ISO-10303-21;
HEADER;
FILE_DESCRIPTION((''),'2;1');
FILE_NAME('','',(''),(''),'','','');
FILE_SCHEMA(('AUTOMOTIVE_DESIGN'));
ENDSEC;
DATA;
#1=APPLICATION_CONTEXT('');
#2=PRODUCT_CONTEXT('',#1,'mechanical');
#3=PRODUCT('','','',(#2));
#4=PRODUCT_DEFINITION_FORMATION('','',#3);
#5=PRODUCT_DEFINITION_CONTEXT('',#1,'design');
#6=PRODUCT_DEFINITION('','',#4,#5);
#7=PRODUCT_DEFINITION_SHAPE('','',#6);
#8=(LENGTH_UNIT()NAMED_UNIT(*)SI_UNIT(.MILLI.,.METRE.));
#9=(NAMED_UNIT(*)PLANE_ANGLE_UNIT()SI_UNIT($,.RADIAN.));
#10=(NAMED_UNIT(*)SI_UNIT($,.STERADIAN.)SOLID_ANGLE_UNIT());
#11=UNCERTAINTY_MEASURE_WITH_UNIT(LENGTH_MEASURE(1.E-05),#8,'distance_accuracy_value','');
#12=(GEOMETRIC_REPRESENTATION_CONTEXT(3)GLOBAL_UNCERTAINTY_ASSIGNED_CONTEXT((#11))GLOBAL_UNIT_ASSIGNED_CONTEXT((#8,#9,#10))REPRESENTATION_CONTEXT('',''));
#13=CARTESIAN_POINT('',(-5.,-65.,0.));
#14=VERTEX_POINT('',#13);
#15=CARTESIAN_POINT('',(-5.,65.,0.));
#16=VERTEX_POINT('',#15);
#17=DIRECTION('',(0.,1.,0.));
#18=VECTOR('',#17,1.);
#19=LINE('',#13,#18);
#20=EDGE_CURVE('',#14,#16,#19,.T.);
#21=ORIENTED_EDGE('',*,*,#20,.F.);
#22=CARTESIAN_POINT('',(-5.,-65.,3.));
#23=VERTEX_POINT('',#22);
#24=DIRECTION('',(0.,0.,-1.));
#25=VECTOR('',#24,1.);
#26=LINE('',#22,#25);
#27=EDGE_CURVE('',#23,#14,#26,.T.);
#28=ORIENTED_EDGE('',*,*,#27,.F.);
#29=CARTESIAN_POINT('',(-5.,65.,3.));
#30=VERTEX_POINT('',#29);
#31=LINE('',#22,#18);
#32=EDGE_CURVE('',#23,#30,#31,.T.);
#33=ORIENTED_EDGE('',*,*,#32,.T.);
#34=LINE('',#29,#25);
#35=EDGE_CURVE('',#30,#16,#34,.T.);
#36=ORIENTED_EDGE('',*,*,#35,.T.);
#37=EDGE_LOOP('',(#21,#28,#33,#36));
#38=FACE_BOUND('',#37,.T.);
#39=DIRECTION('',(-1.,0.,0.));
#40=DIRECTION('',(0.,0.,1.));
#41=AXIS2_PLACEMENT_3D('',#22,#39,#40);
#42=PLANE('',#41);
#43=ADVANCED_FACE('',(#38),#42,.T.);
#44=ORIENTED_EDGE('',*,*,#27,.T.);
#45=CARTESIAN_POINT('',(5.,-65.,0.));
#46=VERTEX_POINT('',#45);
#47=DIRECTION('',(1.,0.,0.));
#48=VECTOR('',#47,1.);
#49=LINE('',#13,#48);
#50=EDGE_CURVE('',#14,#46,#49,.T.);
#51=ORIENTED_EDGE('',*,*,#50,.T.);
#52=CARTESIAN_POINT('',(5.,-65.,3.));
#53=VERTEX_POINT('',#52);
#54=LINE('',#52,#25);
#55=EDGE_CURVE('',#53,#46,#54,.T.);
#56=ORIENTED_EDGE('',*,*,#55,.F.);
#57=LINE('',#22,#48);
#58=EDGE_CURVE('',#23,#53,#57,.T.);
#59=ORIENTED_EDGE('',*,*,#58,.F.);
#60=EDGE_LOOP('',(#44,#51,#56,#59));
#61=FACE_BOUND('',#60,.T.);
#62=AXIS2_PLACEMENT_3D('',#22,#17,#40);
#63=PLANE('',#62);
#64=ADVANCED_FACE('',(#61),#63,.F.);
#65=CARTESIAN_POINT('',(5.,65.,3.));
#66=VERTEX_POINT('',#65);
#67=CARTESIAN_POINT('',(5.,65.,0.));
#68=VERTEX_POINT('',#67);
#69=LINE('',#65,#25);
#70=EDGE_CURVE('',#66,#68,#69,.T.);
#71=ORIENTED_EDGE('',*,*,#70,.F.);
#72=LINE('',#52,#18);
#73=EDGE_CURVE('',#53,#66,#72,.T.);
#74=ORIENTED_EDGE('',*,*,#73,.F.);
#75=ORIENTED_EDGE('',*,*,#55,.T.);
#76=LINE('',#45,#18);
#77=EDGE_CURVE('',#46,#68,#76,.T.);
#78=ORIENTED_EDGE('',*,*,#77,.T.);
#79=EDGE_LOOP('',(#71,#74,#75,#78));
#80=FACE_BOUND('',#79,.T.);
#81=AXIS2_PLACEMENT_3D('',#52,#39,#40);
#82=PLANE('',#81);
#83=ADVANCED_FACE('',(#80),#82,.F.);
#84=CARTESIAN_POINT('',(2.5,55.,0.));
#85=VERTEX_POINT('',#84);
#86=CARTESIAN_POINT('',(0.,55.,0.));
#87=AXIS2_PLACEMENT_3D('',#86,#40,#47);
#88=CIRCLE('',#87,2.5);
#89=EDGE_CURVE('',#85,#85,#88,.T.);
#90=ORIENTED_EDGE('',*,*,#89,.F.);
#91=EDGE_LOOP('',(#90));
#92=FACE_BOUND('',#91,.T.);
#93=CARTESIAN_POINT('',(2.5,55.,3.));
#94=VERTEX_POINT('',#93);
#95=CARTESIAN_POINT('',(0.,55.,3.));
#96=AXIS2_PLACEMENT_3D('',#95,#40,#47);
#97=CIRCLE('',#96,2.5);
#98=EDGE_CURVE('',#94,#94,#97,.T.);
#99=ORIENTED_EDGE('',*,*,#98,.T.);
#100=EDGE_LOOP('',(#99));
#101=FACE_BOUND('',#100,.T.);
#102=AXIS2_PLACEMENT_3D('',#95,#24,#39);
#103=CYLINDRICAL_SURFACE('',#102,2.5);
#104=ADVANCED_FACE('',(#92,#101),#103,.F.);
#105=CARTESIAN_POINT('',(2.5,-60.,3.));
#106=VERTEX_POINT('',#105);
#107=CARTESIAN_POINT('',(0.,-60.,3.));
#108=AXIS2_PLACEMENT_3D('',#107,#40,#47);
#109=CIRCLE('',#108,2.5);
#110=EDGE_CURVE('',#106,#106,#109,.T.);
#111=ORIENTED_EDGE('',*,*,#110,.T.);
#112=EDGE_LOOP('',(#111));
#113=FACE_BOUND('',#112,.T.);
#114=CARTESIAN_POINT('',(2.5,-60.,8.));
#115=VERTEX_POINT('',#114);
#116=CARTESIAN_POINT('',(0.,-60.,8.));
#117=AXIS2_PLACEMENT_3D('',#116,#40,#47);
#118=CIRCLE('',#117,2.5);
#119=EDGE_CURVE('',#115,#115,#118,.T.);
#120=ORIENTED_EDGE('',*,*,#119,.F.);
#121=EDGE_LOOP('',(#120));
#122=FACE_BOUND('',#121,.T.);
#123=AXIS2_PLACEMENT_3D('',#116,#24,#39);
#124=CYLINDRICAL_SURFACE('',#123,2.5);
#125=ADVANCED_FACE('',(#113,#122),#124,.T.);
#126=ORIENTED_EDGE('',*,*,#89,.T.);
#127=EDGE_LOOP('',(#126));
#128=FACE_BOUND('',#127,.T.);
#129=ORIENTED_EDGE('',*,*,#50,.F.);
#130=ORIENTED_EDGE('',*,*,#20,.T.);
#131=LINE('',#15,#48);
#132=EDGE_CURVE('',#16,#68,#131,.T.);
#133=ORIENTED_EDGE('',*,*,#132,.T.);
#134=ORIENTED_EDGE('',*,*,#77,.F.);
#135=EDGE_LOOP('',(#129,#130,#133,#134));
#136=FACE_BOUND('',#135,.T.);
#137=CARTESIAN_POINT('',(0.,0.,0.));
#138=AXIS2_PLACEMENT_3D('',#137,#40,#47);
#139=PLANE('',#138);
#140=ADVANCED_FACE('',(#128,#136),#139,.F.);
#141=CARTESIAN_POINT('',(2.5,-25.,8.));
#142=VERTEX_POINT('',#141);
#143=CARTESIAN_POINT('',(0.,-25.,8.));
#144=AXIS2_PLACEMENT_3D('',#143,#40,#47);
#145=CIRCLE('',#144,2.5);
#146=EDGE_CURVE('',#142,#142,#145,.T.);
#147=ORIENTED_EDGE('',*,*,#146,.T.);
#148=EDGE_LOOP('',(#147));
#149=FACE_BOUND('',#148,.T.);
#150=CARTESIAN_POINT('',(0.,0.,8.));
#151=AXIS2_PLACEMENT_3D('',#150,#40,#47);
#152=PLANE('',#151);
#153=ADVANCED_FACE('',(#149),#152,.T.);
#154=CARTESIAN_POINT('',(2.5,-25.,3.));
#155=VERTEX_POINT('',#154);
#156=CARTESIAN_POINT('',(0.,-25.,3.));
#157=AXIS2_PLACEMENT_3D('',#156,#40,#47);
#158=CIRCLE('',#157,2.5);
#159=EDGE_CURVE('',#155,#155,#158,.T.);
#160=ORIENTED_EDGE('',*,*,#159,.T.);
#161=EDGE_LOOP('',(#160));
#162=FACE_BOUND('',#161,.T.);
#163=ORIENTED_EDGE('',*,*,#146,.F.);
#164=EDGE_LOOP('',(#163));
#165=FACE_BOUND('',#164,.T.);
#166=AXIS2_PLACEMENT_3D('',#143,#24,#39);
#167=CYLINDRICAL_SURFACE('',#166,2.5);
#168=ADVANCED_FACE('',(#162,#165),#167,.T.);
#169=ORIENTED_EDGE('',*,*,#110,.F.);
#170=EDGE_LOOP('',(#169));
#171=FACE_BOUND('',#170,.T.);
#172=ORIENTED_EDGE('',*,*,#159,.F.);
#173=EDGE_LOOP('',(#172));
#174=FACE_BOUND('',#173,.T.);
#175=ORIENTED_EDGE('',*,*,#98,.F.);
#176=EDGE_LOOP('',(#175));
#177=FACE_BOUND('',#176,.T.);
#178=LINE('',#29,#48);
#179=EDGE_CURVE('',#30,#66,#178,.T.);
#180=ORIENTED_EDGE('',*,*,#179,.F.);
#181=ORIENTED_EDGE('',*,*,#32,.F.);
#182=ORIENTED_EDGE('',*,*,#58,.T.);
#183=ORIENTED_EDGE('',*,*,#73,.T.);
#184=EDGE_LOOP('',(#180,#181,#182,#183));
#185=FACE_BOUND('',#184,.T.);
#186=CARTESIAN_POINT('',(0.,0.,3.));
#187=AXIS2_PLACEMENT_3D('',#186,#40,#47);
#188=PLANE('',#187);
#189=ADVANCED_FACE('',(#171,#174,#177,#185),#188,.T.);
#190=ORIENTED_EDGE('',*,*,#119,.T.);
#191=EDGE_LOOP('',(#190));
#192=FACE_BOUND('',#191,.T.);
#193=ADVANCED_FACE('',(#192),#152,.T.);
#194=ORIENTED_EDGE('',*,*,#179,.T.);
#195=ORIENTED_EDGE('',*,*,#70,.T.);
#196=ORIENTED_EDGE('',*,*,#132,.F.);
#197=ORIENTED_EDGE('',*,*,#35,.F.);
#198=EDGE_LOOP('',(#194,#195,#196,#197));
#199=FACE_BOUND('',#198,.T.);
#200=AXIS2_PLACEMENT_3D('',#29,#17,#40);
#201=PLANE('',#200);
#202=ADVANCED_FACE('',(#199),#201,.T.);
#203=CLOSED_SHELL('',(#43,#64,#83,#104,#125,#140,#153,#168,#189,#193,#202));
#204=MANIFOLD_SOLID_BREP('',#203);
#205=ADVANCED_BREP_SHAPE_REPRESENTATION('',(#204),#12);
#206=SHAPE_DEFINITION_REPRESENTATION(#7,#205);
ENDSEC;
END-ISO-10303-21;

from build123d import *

# Parameters (mm, degrees)
ESBO_O1_W                = 10
ESBO_O1_H                = 130
ESBO_O1_R                = 2.5
RESSALTO_EXTRUS_O1_DEPTH = 3
ESBO_O1_11_R             = 2.5
RESSALTO_EXTRUS_O7_DEPTH = 8


with BuildPart() as part:
    # Esboço1 → Ressalto-extrusão1 (new body)
    with BuildSketch(Plane.XY):
        Rectangle(ESBO_O1_W, ESBO_O1_H)
        with Locations((0, 55)):
            Circle(ESBO_O1_R, mode=Mode.SUBTRACT)
        with Locations((0, -60)):
            Circle(ESBO_O1_R, mode=Mode.SUBTRACT)
        with Locations((0, -25)):
            Circle(ESBO_O1_R, mode=Mode.SUBTRACT)
    extrude(amount=RESSALTO_EXTRUS_O1_DEPTH)

    # Esboço1<11> → Ressalto-extrusão7 (add)
    with BuildSketch(Plane.XY):
        with Locations((0, -25)):
            Circle(ESBO_O1_11_R)
        with Locations((0, -60)):
            Circle(ESBO_O1_11_R)
    extrude(amount=RESSALTO_EXTRUS_O7_DEPTH)


solid = part.part
